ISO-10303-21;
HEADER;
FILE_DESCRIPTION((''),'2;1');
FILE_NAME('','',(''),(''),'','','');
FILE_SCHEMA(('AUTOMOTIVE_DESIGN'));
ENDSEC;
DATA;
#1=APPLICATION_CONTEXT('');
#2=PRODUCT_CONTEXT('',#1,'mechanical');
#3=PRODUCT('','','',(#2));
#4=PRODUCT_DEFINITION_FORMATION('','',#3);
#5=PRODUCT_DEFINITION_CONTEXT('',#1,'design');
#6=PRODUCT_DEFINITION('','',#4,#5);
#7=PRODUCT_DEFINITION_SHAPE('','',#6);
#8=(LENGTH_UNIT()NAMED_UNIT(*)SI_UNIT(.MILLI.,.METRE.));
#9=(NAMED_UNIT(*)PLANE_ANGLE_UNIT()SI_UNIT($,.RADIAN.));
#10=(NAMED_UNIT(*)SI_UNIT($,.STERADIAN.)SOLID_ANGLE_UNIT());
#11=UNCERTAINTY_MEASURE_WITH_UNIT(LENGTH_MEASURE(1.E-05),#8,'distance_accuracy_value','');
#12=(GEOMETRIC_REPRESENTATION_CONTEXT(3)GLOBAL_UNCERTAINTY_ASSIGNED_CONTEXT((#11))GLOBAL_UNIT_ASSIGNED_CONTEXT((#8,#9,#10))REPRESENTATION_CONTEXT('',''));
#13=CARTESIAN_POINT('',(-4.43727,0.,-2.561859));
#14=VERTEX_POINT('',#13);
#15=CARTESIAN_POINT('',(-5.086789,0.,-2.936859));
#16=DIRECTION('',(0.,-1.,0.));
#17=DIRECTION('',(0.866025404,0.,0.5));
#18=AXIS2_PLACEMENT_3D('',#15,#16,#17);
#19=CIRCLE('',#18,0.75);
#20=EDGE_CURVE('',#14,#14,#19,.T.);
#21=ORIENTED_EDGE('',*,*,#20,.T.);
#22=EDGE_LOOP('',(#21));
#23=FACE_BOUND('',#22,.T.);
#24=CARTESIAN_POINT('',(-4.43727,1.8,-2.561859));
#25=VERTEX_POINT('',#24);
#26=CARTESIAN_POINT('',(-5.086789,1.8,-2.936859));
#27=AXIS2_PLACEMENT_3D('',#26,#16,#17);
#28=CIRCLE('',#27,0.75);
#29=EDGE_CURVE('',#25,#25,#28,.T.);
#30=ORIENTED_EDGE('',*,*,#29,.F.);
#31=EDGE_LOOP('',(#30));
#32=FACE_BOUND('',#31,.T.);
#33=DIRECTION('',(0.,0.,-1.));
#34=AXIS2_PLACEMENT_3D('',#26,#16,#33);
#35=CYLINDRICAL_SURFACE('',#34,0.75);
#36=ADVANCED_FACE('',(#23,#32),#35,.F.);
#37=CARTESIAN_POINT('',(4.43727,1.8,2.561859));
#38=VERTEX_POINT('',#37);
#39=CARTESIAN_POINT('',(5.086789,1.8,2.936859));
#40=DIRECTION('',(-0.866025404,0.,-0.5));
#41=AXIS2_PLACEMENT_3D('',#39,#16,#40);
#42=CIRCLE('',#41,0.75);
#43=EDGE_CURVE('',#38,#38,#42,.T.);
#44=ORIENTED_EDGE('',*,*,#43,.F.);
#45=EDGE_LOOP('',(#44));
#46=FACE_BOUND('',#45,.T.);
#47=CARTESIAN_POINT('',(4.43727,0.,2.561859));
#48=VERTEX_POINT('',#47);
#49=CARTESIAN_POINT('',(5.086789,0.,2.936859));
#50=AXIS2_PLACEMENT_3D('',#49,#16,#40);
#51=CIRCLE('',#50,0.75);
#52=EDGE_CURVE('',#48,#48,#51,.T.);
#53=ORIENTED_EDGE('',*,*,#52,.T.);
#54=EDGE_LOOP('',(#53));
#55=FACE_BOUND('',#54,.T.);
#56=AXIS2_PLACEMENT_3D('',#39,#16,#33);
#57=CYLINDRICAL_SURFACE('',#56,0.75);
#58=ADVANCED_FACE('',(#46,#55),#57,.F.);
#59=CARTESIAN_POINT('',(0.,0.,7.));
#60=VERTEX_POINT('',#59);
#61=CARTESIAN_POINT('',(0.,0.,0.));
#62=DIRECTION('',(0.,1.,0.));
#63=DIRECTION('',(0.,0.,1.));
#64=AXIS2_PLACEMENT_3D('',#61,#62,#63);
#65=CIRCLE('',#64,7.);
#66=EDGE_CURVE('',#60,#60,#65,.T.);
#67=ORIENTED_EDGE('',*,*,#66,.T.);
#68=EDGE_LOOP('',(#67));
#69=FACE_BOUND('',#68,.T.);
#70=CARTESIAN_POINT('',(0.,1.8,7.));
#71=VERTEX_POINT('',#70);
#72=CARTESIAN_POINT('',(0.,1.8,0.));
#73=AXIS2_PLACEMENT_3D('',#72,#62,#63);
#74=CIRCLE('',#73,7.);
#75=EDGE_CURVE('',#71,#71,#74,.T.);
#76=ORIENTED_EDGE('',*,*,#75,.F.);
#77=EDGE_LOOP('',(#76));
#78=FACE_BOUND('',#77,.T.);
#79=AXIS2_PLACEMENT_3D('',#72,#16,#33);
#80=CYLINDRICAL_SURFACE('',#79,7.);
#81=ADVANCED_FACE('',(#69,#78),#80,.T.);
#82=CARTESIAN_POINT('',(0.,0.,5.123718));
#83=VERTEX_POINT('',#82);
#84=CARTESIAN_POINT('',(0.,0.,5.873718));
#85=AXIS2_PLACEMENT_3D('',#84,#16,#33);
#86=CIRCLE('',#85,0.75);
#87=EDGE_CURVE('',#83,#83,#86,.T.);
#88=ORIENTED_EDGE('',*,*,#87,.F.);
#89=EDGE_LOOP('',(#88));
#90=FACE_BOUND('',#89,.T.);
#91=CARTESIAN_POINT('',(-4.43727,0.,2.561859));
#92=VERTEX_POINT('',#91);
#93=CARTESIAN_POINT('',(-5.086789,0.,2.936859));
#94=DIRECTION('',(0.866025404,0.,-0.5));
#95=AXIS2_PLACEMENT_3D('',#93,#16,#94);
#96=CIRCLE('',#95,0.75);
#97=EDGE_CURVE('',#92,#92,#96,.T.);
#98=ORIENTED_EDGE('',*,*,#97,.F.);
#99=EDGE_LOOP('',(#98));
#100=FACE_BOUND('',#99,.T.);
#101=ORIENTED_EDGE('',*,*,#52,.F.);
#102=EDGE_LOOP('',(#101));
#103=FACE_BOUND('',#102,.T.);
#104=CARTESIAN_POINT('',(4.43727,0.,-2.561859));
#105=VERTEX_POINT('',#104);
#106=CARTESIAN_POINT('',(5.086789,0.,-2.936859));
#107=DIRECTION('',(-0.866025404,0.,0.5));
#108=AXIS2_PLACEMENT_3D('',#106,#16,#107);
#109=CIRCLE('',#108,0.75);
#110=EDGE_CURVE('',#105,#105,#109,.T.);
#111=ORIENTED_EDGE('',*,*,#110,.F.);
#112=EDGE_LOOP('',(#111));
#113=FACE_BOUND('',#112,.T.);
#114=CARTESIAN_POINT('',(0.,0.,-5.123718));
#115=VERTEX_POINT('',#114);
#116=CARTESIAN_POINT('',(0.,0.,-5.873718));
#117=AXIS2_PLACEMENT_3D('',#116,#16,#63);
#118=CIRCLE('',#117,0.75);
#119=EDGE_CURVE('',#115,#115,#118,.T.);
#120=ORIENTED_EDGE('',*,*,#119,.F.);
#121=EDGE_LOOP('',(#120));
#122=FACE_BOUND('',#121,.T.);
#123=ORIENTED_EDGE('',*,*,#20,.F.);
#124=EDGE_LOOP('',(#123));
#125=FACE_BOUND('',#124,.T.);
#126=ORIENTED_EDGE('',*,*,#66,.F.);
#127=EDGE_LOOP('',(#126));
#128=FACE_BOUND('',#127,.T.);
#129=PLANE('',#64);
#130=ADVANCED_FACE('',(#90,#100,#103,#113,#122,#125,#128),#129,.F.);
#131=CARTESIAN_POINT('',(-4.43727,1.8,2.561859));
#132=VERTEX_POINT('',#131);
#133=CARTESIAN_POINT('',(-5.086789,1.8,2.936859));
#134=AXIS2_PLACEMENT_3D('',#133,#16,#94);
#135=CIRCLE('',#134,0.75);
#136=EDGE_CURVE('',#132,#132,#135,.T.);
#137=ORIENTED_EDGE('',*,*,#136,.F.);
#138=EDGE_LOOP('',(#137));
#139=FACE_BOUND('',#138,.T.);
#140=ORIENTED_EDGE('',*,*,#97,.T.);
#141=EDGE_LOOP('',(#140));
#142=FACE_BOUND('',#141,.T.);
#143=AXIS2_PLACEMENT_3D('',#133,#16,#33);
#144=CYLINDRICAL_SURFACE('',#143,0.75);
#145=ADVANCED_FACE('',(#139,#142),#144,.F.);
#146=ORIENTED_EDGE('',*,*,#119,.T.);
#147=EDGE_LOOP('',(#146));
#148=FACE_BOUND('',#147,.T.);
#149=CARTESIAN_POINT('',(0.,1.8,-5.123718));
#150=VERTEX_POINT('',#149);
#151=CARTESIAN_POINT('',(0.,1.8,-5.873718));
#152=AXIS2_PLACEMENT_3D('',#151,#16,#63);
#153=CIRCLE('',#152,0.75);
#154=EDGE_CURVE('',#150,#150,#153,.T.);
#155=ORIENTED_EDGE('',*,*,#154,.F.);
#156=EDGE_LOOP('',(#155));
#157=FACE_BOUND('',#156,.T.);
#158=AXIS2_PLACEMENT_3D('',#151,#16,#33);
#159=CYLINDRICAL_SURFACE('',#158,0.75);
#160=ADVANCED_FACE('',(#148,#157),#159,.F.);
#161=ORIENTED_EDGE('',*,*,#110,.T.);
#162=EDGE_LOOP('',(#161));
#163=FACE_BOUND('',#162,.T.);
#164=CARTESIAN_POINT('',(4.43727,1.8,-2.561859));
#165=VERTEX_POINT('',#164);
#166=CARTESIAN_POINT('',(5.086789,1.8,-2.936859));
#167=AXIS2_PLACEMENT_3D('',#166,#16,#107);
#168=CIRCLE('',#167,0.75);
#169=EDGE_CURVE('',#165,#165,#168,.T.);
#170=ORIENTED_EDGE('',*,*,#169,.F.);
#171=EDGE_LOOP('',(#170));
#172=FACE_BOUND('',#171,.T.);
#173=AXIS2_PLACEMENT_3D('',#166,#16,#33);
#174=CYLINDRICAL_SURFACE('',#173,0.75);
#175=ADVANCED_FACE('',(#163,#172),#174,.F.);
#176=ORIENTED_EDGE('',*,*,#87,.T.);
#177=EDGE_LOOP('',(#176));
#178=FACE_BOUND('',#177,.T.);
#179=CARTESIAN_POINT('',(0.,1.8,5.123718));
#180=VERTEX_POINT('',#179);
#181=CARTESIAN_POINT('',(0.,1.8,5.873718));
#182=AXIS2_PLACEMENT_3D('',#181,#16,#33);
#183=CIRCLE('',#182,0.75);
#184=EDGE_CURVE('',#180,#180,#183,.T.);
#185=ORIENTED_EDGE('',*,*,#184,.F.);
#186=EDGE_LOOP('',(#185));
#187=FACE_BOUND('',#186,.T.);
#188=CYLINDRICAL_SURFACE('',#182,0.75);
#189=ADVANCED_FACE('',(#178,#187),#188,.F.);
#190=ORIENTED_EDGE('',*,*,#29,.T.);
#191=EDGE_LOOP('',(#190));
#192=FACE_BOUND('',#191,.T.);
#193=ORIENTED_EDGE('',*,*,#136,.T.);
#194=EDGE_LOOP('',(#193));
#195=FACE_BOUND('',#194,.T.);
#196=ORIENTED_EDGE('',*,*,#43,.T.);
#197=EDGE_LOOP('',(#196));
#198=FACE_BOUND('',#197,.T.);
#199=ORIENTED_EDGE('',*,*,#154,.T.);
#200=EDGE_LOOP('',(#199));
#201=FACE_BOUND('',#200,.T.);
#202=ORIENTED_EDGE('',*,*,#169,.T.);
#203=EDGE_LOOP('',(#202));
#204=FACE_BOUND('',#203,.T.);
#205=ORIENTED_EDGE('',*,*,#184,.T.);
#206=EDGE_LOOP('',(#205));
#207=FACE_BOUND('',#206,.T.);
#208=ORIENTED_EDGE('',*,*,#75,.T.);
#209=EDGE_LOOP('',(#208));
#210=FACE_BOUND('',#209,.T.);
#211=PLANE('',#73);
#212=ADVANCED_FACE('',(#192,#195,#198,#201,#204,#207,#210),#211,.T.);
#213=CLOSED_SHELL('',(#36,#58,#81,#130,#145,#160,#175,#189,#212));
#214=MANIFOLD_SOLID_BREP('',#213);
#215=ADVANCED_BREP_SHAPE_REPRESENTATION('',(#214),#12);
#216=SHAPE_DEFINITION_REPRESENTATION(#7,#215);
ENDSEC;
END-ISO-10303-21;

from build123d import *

# Parameters (mm, degrees)
SKETCH1_R           = 7
BOSS_EXTRUDE1_DEPTH = 1.8
SKETCH2_R           = 0.75
CUT_EXTRUDE1_DEPTH  = 11.061808982
CIRPATTERN1_COUNT   = 6


with BuildPart() as part:
    # Sketch1 → Boss-Extrude1 (new body)
    with BuildSketch(Plane(origin=(0, 0, 0), x_dir=(1, 0, 0), z_dir=(0, 1, 0))):
        with Locations(Location((0, 0, 0), (0, 0, 270))):
            Circle(SKETCH1_R)
    extrude(amount=BOSS_EXTRUDE1_DEPTH)

    # Sketch2 → Cut-Extrude1 (cut, through all)
    with BuildSketch(Plane.XZ):
        with Locations(Location((0, 5.873718021, 0), (0, 0, 270))):
            Circle(SKETCH2_R)
    cut_extrude1 = extrude(amount=-CUT_EXTRUDE1_DEPTH, mode=Mode.SUBTRACT)

    # CirPattern1: Cut-Extrude1 ×6 about axis
    cirpattern1_axis = Axis((0, 0, 0), (0, 1, 0))
    for i in range(1, CIRPATTERN1_COUNT):
        add(cut_extrude1.rotate(cirpattern1_axis, i * 360 / CIRPATTERN1_COUNT), mode=Mode.SUBTRACT)


solid = part.part
